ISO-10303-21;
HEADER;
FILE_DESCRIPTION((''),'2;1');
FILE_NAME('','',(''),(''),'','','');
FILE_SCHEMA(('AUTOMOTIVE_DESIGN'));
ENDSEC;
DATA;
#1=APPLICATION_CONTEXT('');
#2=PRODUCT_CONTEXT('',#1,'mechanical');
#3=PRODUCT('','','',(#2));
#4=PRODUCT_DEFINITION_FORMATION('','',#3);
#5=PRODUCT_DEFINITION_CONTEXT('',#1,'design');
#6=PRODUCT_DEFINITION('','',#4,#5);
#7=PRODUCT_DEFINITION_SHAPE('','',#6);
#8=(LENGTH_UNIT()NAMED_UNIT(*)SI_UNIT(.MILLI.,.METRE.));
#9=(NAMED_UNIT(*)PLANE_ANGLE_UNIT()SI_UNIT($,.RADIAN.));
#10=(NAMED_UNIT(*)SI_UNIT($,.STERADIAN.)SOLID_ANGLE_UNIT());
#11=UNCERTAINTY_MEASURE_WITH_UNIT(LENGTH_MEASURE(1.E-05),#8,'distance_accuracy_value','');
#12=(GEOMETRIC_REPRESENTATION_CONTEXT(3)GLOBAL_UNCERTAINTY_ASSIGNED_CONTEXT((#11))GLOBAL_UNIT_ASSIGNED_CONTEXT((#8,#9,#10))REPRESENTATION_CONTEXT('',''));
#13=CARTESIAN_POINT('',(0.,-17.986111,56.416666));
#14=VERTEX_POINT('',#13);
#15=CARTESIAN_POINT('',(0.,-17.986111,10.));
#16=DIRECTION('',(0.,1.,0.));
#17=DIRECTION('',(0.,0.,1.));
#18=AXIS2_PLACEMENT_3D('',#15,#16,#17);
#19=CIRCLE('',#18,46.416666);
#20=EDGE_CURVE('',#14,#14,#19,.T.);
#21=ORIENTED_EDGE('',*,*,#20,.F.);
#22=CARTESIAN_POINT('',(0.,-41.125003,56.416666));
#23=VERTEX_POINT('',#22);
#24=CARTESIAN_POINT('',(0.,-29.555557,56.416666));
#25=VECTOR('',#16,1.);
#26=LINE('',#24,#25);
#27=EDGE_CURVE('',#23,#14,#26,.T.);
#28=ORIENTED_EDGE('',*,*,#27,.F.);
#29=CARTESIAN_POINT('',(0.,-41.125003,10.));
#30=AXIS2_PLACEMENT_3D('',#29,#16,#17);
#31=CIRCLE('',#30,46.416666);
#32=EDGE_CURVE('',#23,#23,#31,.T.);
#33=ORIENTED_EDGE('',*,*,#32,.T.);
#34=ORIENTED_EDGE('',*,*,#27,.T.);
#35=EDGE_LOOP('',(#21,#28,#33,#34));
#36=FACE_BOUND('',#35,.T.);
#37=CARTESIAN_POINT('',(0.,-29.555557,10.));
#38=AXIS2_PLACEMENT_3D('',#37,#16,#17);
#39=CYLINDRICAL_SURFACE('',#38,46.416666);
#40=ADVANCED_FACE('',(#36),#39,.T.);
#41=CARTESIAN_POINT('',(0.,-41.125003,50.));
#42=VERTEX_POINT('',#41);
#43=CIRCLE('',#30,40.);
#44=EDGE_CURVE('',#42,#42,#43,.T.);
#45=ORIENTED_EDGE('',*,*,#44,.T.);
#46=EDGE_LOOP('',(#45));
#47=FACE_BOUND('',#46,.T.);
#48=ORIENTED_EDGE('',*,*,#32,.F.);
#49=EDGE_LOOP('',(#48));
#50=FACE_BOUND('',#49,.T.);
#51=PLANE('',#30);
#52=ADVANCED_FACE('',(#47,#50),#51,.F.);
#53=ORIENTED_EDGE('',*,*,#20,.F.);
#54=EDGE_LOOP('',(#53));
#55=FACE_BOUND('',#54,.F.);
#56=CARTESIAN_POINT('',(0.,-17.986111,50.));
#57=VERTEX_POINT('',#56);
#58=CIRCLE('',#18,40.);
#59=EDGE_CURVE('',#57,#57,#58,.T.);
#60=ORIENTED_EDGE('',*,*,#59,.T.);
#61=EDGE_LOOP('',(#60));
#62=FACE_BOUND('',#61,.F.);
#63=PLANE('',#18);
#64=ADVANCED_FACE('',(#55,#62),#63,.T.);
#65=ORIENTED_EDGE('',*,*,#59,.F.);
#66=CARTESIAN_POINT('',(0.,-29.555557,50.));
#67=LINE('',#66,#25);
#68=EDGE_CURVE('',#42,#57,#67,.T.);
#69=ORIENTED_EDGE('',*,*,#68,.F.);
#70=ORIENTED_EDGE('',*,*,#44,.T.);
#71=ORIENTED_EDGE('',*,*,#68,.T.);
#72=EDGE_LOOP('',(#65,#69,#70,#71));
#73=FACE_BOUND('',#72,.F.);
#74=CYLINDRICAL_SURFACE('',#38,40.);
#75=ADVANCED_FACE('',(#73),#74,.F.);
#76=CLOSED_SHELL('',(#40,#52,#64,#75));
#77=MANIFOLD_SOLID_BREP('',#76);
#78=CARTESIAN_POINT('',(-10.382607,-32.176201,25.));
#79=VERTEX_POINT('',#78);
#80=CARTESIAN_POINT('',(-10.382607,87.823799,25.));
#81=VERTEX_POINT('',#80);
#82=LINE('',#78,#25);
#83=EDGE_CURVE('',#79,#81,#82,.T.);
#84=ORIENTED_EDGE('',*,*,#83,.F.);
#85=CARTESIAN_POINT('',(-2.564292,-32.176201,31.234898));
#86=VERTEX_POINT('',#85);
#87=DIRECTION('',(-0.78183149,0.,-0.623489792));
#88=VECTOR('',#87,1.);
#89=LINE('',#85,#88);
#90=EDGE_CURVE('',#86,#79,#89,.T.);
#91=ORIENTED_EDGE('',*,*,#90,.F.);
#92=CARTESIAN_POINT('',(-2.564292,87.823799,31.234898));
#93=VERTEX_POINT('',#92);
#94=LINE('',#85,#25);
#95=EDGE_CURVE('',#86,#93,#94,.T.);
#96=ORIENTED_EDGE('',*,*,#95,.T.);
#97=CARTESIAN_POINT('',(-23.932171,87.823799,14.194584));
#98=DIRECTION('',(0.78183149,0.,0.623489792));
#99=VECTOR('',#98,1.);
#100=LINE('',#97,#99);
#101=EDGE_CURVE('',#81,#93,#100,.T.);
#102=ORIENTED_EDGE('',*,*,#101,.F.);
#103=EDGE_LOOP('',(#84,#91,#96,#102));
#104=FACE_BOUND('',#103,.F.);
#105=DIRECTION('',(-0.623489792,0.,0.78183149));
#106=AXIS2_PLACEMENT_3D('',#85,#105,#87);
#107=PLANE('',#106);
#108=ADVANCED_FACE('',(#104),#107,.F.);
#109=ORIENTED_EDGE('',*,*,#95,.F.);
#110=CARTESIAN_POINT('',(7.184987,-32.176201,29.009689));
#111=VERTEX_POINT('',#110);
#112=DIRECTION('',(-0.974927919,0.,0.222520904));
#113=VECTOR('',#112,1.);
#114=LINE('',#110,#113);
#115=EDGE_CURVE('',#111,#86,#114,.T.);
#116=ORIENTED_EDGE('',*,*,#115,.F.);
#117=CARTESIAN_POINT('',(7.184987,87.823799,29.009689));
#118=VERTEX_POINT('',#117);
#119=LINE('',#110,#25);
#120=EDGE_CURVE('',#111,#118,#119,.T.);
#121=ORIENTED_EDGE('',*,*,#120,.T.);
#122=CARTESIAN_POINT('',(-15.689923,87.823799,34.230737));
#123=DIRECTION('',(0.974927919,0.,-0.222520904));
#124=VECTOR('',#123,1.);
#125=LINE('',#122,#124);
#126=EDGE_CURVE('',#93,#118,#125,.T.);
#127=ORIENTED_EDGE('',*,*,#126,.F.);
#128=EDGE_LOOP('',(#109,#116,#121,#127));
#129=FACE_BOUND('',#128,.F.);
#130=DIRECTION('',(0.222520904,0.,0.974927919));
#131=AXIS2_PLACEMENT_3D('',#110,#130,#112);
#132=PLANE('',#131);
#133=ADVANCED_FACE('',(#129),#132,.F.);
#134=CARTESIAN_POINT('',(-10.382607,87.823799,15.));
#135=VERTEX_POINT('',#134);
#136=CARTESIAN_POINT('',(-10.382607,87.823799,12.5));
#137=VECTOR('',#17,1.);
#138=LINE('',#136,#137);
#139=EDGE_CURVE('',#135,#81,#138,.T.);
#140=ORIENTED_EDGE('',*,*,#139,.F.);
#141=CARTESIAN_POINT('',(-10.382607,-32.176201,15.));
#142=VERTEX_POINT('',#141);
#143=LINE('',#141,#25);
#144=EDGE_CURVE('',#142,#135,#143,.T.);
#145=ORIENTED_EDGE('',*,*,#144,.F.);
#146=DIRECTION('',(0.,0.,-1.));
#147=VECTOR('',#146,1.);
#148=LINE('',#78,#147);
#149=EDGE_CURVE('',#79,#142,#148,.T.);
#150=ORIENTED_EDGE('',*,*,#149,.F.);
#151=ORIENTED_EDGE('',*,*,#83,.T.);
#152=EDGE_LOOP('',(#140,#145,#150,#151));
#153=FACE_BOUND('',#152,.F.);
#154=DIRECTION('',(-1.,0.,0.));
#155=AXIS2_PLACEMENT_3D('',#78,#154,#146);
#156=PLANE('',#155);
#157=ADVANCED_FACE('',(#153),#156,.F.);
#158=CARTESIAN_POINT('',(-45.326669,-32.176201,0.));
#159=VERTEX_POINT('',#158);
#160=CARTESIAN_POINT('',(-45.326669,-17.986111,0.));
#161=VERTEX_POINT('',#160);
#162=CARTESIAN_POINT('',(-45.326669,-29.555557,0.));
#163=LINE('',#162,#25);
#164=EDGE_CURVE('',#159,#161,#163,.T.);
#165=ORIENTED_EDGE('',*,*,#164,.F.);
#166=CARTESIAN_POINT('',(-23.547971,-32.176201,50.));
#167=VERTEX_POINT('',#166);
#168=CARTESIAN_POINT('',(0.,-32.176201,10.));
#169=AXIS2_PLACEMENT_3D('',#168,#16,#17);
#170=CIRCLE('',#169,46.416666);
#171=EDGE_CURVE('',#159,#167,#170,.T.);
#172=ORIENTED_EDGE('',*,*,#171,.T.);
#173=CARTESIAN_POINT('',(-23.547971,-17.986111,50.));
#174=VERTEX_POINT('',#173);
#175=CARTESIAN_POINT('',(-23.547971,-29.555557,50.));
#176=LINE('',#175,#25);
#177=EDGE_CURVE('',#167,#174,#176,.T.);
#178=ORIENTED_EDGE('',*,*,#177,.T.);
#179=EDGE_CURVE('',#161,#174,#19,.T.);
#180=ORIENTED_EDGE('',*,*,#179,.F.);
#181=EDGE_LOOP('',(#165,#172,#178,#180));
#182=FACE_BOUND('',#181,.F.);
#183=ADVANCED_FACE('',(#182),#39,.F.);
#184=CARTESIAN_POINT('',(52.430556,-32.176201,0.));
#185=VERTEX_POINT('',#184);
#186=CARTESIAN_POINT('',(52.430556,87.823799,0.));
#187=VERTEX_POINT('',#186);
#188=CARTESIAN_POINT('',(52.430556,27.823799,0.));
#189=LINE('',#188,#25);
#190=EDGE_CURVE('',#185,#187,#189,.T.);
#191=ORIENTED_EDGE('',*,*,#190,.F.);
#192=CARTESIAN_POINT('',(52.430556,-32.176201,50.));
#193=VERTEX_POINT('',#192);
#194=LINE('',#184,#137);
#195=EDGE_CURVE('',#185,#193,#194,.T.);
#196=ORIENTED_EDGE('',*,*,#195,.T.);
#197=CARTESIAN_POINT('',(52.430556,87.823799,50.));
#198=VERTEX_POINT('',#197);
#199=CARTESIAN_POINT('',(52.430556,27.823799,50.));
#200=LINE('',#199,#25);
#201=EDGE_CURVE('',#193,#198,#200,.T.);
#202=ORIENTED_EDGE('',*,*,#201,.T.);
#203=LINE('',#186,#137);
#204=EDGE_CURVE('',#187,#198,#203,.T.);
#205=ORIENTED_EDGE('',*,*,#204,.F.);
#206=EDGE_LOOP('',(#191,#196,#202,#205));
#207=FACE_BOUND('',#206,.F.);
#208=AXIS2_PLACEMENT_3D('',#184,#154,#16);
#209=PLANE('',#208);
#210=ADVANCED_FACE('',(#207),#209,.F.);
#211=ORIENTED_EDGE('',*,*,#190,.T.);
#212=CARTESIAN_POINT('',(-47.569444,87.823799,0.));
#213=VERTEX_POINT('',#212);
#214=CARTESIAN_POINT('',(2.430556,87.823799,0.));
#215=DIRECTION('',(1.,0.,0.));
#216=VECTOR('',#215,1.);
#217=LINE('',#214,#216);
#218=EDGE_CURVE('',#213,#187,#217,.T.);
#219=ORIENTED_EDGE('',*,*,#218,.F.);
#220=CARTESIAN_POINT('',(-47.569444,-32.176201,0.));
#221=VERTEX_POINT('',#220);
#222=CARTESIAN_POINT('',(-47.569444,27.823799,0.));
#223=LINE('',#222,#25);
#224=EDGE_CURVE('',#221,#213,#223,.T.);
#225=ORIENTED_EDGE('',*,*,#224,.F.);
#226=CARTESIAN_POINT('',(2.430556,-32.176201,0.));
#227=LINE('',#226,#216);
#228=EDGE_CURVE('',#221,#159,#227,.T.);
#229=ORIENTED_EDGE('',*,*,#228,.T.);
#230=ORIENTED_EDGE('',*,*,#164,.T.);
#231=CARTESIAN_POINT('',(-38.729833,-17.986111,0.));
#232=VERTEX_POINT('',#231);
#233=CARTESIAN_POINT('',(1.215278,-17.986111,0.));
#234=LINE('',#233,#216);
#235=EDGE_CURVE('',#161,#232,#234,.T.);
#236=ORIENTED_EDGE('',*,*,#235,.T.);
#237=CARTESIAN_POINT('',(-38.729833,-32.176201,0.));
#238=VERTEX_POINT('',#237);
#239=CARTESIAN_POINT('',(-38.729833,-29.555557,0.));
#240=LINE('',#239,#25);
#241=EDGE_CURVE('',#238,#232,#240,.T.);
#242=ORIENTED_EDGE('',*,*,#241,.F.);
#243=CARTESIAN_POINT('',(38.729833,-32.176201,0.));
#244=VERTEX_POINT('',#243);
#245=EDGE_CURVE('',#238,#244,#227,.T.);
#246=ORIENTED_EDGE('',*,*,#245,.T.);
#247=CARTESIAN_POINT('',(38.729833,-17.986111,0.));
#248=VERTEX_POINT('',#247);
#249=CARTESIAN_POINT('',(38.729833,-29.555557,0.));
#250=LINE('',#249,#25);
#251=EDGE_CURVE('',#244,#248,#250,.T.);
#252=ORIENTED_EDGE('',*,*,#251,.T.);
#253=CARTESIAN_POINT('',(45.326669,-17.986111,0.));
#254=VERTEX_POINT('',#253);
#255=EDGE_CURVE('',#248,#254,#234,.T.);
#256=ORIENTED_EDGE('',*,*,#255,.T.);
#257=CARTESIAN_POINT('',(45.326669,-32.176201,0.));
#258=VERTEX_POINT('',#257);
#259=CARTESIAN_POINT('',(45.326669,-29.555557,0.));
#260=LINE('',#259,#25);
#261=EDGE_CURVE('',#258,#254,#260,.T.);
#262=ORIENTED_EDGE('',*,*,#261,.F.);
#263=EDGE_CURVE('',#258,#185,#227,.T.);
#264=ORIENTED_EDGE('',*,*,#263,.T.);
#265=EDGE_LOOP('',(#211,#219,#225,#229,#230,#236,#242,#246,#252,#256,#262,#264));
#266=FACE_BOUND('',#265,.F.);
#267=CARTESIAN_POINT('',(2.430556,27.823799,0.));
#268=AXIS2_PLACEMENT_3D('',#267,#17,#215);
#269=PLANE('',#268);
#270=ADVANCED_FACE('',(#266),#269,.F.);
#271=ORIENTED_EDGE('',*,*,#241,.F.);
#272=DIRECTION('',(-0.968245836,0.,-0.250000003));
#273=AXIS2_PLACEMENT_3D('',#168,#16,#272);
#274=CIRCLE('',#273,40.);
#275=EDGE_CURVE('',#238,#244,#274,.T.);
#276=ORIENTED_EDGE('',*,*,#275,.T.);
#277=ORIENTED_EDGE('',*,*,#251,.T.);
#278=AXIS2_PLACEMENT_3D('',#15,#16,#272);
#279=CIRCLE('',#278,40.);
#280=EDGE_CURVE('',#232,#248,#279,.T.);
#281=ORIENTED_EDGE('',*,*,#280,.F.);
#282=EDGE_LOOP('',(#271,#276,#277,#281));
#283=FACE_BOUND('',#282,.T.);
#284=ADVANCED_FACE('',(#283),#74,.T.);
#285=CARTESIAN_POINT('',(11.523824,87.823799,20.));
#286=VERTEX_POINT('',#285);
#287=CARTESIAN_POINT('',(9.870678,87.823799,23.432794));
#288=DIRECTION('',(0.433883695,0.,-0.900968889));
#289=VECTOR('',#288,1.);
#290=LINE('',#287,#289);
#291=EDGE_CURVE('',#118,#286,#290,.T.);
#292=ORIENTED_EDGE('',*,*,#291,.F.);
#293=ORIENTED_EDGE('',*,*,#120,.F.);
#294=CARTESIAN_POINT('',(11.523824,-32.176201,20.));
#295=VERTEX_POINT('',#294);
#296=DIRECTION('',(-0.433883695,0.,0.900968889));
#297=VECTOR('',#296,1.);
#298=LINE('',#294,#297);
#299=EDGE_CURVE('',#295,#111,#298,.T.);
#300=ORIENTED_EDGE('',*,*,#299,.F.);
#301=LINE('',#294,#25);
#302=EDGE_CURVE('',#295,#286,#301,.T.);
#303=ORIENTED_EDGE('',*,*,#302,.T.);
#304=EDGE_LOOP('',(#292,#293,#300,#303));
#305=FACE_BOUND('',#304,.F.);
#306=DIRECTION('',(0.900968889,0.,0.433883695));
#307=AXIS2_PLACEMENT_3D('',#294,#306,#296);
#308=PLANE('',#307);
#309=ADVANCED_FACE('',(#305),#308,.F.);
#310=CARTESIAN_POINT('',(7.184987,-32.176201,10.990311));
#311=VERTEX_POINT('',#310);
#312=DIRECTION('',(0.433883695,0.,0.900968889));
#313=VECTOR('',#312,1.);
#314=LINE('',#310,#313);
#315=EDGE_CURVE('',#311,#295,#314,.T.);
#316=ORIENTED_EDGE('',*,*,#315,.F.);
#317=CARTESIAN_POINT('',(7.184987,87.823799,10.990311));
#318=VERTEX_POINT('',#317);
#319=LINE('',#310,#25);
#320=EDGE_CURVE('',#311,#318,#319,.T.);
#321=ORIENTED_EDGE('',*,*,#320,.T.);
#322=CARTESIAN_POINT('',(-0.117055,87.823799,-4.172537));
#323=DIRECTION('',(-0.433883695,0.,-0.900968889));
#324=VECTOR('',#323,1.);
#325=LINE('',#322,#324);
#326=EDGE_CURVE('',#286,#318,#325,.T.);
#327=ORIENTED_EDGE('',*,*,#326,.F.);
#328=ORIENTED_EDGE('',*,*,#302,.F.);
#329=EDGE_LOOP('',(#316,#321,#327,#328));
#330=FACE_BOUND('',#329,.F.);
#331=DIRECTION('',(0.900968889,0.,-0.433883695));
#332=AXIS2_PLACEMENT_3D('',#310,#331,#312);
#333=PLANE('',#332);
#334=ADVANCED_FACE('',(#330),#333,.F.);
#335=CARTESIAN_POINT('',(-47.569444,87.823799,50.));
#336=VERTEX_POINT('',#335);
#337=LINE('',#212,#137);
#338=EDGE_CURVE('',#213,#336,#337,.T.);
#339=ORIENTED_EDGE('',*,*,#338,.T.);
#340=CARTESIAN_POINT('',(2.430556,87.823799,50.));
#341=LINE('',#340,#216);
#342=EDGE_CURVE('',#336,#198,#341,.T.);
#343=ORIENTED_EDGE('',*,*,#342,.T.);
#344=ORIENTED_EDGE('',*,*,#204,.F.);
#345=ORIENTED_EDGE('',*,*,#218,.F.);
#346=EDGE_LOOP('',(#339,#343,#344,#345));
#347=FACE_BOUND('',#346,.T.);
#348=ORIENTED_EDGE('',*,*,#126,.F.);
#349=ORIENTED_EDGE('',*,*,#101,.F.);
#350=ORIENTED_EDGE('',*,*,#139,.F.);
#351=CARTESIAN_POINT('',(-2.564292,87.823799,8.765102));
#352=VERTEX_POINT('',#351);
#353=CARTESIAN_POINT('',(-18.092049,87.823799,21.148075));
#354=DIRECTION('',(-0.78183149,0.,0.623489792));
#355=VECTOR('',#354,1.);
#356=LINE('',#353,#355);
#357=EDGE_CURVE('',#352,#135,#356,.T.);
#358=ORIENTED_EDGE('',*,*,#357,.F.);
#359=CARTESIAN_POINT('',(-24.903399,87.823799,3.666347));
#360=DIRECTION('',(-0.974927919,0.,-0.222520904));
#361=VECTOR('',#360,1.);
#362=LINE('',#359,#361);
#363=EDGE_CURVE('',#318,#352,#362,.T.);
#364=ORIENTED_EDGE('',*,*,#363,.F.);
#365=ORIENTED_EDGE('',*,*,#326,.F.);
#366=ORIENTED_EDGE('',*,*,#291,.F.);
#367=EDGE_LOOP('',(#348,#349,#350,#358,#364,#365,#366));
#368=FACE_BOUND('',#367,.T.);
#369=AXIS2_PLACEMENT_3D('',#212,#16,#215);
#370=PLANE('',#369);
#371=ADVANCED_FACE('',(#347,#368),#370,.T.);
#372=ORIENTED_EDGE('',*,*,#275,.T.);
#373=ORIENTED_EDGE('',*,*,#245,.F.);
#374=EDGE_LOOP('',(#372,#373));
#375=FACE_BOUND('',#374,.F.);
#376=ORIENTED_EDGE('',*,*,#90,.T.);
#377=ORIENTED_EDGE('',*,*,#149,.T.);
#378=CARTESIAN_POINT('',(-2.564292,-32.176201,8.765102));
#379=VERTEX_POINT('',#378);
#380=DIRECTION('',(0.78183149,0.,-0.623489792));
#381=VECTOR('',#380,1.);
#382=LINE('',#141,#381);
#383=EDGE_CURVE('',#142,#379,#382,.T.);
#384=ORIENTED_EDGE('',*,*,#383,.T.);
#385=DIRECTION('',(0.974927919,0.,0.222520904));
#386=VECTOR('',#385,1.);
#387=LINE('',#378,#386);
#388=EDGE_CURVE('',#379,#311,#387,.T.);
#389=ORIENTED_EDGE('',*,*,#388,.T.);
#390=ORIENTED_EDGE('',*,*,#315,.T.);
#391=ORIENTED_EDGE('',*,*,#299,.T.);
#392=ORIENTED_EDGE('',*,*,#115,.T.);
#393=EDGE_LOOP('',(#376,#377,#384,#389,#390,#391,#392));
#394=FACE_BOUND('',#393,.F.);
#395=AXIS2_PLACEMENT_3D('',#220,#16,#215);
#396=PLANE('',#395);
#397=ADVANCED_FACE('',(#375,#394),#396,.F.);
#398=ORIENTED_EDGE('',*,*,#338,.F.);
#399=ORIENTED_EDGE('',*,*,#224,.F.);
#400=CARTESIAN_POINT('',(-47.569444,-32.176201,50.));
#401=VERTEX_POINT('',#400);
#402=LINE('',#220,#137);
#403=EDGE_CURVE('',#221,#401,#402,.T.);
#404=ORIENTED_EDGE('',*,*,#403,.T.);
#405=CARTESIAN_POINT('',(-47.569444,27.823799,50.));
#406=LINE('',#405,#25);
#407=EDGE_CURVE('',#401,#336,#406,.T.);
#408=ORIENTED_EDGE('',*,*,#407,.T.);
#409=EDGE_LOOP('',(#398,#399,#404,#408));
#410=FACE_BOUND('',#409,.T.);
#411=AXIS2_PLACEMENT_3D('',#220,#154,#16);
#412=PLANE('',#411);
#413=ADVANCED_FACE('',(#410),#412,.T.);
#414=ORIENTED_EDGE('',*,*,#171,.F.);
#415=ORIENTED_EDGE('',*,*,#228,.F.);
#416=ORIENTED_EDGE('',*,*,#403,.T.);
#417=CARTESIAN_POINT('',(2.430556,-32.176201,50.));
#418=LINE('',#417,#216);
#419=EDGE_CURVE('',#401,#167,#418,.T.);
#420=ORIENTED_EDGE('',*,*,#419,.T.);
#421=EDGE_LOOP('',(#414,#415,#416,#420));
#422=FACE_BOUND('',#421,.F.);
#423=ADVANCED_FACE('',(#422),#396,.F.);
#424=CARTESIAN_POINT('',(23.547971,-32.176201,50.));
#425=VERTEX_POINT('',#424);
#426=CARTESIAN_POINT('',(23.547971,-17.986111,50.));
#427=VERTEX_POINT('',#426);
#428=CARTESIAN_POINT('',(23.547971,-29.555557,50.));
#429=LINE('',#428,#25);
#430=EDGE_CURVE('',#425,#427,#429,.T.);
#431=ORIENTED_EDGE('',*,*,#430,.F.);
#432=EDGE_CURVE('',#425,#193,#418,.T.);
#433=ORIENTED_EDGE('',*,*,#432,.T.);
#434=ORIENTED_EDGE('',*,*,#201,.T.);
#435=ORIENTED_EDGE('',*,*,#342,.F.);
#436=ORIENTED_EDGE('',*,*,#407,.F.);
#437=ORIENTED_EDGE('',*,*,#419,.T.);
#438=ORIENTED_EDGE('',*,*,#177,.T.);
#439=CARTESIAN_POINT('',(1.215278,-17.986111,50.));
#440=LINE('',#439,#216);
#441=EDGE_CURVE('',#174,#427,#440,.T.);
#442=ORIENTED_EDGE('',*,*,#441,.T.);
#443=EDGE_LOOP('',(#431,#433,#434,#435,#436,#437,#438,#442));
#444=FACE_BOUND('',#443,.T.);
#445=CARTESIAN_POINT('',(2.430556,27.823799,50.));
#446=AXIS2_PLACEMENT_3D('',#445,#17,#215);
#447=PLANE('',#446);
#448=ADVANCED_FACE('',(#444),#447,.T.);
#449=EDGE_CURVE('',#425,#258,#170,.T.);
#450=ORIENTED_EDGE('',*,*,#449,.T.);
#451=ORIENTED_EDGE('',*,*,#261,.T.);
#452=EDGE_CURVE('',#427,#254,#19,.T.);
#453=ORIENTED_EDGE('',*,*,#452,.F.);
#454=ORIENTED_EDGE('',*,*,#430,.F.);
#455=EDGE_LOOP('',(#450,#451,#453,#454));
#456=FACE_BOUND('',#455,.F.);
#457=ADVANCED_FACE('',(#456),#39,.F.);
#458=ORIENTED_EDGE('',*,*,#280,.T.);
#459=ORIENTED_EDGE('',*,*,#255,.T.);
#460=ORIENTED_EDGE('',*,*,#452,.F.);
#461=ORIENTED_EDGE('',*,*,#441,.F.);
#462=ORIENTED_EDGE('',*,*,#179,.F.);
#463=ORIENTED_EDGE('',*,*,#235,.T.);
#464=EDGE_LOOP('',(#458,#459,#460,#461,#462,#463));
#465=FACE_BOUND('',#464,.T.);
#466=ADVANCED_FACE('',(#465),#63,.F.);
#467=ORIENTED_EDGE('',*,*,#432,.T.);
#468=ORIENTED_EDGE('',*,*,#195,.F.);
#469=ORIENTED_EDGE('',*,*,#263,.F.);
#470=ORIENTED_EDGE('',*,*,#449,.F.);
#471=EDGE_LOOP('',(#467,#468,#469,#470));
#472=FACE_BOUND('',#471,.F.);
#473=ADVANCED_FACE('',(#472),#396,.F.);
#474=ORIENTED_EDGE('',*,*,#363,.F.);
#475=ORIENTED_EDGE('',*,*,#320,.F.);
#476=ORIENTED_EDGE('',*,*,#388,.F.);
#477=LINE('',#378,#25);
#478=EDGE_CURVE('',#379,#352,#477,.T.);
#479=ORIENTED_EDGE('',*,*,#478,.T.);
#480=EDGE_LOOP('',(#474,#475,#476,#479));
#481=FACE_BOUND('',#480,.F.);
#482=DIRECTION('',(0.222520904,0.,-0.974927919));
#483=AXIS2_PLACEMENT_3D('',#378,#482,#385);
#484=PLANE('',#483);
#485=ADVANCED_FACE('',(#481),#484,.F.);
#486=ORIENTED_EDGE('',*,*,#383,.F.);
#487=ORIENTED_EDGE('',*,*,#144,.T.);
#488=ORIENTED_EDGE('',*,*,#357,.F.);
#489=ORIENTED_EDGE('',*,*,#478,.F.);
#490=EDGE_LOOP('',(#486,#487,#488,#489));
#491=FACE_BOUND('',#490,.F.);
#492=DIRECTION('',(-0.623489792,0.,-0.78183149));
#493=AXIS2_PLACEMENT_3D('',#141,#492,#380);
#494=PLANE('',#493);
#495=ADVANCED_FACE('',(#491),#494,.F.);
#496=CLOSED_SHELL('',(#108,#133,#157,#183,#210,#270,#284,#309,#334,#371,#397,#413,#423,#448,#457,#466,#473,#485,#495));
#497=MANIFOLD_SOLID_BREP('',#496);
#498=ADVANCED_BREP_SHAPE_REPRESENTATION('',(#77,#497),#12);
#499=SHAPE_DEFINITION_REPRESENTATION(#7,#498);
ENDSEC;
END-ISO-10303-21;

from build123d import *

# Parameters (mm, degrees)
F0_W     = 100
F0_H     = 120
F1_DEPTH = 50
F3_DEPTH = 120.001
F4_W     = 23.138892
F4_H     = 6.416667


with BuildPart() as f1:
    # F0 (on Top) → F1 (new body)
    with BuildSketch(Plane.XY):
        with Locations((2.430556, 27.823799)):
            Rectangle(F0_W, F0_H)
    extrude(amount=F1_DEPTH)

    # F2 (on face) → F3 (cut, through all)
    with BuildSketch(Plane.XZ.offset(32.176201)):
        Polygon((7.184987, 29.009689), (-2.564292, 31.234898), (-10.382607, 25), (-10.382607, 15), (-2.564292, 8.765102), (7.184987, 10.990311), (11.523824, 20), align=None)
    extrude(amount=-F3_DEPTH, mode=Mode.SUBTRACT)


with BuildPart() as f5:
    # F4 (on Right) → F5 (revolve)
    with BuildSketch(Plane.YZ):
        with Locations((-29.555557, 53.208333)):
            Rectangle(F4_W, F4_H)
    revolve(axis=Axis((0, -54.805739, 10), (0, 1, 0)))


with BuildPart() as f1_1:
    add(f1.part)

    # F6: cut F5
    add(f5.part, mode=Mode.SUBTRACT)


solid = Compound([f5.part, f1_1.part])
